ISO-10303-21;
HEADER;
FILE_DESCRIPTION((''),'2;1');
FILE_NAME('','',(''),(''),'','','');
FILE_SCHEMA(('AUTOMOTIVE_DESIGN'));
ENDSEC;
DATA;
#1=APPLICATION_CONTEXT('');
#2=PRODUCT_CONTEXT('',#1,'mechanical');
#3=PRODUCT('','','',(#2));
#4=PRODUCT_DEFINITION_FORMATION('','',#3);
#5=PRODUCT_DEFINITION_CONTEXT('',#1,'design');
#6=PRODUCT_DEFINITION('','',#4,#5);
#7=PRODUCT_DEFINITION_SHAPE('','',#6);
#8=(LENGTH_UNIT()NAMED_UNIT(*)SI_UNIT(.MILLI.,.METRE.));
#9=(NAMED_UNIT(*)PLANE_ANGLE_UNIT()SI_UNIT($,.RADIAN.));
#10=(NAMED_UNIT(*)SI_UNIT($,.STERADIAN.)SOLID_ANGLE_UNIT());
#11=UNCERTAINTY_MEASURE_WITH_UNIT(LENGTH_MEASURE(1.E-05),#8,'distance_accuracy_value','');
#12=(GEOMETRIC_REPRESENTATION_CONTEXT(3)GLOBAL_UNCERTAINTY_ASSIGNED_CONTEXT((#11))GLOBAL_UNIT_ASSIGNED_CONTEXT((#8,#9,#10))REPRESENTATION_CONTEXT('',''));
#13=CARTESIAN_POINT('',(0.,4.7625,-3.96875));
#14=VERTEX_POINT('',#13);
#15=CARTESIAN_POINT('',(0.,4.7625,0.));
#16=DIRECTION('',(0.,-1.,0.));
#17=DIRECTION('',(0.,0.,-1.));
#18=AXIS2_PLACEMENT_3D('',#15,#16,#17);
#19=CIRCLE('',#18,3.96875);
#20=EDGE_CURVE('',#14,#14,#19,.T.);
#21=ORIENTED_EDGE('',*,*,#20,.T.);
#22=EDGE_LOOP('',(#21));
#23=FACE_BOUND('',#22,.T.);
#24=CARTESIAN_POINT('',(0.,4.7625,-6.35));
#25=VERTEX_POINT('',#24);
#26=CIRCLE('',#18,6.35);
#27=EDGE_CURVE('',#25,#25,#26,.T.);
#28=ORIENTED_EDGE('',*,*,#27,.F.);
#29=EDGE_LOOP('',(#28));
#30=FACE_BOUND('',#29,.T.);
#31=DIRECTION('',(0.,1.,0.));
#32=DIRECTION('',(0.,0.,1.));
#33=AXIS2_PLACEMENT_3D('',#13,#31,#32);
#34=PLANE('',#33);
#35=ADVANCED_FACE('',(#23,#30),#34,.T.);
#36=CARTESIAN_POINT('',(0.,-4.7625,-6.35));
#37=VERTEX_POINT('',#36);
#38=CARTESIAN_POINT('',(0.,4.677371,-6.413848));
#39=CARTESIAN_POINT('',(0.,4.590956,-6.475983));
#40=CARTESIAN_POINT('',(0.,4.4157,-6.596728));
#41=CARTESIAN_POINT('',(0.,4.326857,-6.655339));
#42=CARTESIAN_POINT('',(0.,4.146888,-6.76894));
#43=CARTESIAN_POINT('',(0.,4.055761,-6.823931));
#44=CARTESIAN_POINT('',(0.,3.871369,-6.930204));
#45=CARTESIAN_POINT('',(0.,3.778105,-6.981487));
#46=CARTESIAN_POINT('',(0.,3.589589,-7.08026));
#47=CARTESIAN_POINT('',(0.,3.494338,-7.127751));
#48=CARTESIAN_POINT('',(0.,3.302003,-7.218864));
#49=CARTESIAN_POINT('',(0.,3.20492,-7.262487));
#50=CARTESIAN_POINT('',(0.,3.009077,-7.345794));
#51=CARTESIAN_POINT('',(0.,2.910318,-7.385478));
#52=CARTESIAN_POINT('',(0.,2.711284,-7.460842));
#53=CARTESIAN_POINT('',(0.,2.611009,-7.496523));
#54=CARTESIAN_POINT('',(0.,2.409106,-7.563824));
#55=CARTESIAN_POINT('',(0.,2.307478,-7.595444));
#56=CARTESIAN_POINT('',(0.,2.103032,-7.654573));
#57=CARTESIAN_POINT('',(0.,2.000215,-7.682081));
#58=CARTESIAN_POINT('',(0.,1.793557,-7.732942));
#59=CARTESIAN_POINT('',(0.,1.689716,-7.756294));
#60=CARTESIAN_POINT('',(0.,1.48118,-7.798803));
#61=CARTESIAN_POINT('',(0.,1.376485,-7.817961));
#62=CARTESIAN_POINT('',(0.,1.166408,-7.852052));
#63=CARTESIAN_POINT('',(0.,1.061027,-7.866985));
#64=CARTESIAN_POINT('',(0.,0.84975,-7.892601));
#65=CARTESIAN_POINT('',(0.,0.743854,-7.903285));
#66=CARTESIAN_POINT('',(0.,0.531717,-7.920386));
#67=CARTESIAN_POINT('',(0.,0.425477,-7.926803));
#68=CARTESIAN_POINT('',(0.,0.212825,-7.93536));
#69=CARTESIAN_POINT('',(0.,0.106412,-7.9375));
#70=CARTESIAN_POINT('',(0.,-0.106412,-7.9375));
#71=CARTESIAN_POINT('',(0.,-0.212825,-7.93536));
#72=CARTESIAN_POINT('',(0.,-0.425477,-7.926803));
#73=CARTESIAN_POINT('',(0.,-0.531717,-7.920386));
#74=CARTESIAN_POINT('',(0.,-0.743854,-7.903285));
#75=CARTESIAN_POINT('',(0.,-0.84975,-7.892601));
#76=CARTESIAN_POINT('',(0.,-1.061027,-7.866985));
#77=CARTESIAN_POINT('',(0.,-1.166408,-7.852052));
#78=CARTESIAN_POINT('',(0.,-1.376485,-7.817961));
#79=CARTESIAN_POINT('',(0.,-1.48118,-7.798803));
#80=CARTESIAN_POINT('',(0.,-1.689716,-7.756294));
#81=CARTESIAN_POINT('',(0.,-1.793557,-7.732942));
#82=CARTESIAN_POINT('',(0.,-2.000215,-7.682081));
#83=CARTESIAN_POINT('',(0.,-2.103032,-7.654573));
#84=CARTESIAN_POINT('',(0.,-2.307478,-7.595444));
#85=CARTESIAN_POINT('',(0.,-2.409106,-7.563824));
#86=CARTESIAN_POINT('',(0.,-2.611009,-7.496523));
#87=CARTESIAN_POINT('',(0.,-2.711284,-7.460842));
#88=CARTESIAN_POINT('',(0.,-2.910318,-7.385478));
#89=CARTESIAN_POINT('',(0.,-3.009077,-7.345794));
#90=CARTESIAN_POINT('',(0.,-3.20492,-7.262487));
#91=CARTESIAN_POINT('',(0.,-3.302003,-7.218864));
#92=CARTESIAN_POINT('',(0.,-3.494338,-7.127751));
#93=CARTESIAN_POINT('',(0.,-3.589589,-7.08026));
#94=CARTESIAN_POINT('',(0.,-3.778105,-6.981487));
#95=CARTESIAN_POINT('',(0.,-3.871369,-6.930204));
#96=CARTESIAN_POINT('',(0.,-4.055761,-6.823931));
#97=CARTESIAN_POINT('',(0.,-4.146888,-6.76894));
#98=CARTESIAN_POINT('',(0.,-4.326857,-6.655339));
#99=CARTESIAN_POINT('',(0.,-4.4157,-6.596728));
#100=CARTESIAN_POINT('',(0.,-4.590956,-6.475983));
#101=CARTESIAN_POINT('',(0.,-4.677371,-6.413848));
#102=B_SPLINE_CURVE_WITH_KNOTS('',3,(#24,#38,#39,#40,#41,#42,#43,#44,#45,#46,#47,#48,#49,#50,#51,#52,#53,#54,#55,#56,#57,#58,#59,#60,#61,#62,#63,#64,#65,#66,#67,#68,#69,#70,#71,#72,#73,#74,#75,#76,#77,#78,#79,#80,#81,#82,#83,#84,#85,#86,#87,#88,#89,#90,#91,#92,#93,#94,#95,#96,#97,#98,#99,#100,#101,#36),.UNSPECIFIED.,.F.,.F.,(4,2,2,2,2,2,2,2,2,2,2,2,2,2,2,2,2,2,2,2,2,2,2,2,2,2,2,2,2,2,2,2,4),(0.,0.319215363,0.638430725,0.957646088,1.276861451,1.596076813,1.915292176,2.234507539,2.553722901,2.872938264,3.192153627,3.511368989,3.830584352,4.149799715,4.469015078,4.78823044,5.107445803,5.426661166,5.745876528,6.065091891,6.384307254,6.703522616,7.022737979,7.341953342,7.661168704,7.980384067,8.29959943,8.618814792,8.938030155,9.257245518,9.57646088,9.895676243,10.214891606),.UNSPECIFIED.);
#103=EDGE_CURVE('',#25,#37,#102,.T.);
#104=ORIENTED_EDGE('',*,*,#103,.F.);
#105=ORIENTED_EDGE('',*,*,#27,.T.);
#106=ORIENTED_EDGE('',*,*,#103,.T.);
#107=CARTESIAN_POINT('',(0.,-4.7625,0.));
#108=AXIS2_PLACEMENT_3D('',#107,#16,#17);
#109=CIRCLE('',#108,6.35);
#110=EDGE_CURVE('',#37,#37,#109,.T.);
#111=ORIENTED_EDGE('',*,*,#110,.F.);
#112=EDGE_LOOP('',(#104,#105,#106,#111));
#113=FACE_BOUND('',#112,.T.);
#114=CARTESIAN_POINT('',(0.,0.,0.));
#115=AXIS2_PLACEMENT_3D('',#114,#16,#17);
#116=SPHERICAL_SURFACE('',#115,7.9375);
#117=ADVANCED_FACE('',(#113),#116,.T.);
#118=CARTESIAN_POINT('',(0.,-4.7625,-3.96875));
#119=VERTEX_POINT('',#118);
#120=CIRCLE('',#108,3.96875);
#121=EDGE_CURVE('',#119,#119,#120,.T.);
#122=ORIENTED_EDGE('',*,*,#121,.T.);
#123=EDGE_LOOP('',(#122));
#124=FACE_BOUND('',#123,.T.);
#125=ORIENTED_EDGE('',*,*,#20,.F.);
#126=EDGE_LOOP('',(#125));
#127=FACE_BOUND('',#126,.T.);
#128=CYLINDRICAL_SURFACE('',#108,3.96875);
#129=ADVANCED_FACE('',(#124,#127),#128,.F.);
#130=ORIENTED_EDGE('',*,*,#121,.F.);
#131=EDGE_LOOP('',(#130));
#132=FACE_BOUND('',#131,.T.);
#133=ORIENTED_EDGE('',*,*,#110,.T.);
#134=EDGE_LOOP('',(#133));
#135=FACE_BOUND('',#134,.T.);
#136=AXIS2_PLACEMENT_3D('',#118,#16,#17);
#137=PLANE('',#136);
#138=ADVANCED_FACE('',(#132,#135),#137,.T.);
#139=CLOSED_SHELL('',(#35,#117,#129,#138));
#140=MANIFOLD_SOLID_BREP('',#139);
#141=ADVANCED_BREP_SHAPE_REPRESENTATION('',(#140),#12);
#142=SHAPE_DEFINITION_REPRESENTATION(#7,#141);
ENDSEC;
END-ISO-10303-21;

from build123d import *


with BuildPart() as part:
    # Croquis1 → Revolución1 (revolve)
    with BuildSketch(Plane(origin=(0, 0, 0), x_dir=(0, 0, -1), z_dir=(1, 0, 0))):
        with BuildLine():
            Line((3.96875, 4.7625), (3.96875, -4.7625))
            Line((3.96875, -4.7625), (6.35, -4.7625))
            ThreePointArc((6.35, -4.7625), (7.9375, 0), (6.35, 4.7625))
            Line((6.35, 4.7625), (3.96875, 4.7625))
        make_face()
    revolve(axis=Axis((0, -4.7625, 0), (0, 1, 0)))


solid = part.part
